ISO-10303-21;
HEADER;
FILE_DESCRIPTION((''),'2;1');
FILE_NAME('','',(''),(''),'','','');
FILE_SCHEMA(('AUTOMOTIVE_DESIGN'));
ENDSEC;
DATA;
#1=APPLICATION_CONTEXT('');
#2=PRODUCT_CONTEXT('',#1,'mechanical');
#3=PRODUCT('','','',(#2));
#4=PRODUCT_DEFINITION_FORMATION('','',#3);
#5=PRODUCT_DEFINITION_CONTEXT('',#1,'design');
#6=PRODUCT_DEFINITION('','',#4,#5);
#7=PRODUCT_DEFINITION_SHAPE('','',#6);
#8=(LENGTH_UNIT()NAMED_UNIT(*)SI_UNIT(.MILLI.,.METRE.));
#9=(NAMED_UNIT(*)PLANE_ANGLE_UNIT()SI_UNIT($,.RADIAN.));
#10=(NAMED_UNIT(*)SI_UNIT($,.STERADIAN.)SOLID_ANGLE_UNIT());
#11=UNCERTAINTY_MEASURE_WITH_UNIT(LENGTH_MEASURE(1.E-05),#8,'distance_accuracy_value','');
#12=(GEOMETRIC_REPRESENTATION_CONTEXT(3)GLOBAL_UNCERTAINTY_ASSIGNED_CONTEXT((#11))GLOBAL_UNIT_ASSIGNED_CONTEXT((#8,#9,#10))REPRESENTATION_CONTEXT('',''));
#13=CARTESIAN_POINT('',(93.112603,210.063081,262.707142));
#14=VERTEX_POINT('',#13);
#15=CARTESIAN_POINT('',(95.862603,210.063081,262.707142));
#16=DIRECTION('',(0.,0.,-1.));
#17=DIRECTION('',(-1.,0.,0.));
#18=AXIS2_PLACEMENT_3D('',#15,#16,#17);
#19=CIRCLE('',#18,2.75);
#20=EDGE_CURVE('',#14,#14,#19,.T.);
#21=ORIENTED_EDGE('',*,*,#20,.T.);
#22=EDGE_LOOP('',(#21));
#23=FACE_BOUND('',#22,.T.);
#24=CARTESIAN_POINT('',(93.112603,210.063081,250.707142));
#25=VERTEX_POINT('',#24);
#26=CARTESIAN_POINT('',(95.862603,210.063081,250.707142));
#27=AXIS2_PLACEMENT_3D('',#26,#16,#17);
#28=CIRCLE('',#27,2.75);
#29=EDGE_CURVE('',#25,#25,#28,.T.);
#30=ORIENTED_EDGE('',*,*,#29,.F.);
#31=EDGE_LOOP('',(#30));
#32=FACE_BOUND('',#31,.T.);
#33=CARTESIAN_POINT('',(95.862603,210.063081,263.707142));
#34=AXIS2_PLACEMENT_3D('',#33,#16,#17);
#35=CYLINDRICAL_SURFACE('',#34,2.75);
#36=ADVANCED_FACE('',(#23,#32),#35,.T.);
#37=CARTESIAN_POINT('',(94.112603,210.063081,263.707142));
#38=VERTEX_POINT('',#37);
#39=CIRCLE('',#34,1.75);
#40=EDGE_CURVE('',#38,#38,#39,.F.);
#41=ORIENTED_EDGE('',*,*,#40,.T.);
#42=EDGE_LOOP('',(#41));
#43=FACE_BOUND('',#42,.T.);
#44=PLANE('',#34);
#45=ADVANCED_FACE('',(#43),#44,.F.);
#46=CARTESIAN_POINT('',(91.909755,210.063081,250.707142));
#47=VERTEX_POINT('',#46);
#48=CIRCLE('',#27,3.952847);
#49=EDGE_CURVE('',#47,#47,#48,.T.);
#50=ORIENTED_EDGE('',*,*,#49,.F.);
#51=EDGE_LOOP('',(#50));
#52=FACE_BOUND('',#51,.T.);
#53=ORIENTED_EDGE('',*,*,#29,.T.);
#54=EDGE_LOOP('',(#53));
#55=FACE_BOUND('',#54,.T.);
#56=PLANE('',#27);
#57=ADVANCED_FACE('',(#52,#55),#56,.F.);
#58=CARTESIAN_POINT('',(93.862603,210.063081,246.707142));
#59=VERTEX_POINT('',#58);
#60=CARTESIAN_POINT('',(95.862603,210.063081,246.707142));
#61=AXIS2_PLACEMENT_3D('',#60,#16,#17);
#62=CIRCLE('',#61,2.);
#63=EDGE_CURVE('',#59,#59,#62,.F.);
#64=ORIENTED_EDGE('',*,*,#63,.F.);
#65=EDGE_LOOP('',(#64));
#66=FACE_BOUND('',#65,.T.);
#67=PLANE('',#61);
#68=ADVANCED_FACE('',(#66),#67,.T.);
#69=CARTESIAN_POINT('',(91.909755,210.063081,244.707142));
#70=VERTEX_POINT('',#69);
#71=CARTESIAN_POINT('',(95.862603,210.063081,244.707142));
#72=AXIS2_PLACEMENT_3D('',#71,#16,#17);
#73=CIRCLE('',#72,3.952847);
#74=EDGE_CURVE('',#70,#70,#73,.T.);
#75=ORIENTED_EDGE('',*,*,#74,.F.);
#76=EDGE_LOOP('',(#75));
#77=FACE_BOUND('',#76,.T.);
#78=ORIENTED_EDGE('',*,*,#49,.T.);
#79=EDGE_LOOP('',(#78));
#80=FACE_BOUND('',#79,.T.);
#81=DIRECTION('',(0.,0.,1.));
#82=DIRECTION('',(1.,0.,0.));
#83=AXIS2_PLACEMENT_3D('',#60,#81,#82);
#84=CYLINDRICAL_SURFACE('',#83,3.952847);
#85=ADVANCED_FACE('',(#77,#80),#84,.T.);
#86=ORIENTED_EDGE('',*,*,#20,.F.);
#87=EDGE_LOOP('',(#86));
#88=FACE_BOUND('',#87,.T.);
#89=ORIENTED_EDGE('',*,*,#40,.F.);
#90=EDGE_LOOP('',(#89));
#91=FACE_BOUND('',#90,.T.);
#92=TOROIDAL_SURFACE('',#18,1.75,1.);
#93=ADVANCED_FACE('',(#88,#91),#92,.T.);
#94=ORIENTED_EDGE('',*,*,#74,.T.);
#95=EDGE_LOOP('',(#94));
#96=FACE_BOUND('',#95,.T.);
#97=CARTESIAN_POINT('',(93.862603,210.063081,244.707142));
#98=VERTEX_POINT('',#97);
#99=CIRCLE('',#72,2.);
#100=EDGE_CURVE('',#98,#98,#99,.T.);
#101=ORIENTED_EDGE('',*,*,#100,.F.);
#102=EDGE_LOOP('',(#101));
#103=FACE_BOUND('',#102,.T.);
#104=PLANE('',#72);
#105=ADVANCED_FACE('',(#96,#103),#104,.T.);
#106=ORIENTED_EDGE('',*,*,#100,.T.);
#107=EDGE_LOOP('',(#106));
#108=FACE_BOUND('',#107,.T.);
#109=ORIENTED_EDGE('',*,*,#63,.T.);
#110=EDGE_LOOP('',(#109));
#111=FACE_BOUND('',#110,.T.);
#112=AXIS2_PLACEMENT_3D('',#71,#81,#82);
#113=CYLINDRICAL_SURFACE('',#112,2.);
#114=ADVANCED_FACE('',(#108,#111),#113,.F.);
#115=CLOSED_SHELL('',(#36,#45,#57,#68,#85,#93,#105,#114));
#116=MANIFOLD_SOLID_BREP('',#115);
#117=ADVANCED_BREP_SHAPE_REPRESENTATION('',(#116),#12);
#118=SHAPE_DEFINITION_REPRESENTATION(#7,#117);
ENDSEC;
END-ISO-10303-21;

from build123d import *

# Parameters (mm, degrees)
SKETCH1_R                = 2.75
BOSS_EXTRUDE1_DEPTH      = 5
BOSS_EXTRUDE1_DEPTH_BACK = 8
SKETCH2_R                = 3.952847075
BOSS_EXTRUDE2_DEPTH      = 4
SKETCH3_R                = 3.952847075
SKETCH3_R_2              = 2
BOSS_EXTRUDE3_DEPTH      = 2
FILLET1_R                = 1


with BuildPart() as part:
    # Sketch1 → Boss-Extrude1 (new body, two sides)
    with BuildSketch(Plane(origin=(0, 0, 255.707141652), x_dir=(-1, 0, 0), z_dir=(0, 0, -1))) as boss_extrude1_sk:
        with Locations((-95.862602529, 210.063080558)):
            Circle(SKETCH1_R)
    extrude(amount=BOSS_EXTRUDE1_DEPTH)
    extrude(boss_extrude1_sk.sketch, amount=-BOSS_EXTRUDE1_DEPTH_BACK)

    # Sketch2 → Boss-Extrude2 (add)
    with BuildSketch(Plane(origin=(0, 0, 250.707141652), x_dir=(-1, 0, 0), z_dir=(0, 0, -1))):
        with Locations((-95.862602529, 210.063080558)):
            Circle(SKETCH2_R)
    extrude(amount=BOSS_EXTRUDE2_DEPTH)

    # Sketch3 → Boss-Extrude3 (add)
    with BuildSketch(Plane(origin=(0, 0, 246.707141652), x_dir=(-1, 0, 0), z_dir=(0, 0, -1))):
        with Locations((-95.862602529, 210.063080558)):
            Circle(SKETCH3_R)
        with Locations((-95.862602529, 210.063080558)):
            Circle(SKETCH3_R_2, mode=Mode.SUBTRACT)
    extrude(amount=BOSS_EXTRUDE3_DEPTH)

    # Fillet1
    fillet1_edges = [part.edges().sort_by_distance(p)[0] for p in [
        (98.612602529, 210.063080558, 263.707141652),
    ]]
    fillet(fillet1_edges, radius=FILLET1_R)


solid = part.part
